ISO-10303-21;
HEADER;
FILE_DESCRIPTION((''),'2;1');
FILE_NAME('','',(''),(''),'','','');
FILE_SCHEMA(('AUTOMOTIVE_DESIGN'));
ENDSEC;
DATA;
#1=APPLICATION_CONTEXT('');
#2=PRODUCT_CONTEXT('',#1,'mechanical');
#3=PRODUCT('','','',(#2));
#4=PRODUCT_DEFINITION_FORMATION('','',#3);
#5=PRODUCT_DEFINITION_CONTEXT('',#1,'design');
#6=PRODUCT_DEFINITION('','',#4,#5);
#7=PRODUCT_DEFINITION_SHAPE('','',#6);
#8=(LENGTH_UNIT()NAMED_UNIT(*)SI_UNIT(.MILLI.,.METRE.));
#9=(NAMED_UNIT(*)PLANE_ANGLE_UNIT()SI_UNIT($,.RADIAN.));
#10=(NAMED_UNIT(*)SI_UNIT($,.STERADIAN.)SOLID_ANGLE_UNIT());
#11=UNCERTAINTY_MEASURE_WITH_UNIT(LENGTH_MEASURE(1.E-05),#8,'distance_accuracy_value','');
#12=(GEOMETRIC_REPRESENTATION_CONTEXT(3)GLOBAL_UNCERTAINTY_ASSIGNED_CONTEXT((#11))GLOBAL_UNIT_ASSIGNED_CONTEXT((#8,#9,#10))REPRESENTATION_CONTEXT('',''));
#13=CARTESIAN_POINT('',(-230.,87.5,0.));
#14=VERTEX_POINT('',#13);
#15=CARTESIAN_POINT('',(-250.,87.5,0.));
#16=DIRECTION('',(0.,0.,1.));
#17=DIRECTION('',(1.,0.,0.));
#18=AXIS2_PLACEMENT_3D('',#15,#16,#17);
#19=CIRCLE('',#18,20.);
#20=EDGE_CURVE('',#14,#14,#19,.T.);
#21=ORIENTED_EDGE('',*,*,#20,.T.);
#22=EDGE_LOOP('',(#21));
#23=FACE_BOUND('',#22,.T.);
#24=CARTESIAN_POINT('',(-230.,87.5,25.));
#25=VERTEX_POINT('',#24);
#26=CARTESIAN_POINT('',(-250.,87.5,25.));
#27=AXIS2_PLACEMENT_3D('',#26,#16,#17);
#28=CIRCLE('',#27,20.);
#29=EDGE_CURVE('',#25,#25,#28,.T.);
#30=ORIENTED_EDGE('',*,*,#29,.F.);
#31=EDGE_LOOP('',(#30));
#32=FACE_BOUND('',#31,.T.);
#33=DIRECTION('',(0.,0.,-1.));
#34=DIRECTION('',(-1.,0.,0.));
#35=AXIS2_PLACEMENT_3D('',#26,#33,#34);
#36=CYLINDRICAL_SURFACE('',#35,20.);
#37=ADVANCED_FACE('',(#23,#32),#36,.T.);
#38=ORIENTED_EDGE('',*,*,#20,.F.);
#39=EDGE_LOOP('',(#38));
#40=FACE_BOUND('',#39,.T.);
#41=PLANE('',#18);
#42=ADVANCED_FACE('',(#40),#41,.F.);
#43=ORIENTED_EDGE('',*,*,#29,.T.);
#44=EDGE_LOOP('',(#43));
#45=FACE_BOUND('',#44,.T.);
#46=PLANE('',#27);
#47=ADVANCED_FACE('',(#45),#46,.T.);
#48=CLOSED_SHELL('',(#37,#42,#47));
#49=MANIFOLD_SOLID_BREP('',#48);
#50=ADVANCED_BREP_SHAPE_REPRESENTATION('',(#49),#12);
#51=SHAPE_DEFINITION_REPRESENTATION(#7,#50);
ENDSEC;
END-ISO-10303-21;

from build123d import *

# Parameters (mm, degrees)
BOSS_EXTRUDE1_DEPTH = 25


with BuildPart() as part:
    # Sketch2 → Boss-Extrude1 (new body)
    with BuildSketch(Plane.XY):
        with BuildLine():
            ThreePointArc((-250, 67.5), (-230, 87.5), (-250, 107.5))
            ThreePointArc((-250, 107.5), (-270, 87.5), (-250, 67.5))
        make_face()
    extrude(amount=BOSS_EXTRUDE1_DEPTH)


solid = part.part
